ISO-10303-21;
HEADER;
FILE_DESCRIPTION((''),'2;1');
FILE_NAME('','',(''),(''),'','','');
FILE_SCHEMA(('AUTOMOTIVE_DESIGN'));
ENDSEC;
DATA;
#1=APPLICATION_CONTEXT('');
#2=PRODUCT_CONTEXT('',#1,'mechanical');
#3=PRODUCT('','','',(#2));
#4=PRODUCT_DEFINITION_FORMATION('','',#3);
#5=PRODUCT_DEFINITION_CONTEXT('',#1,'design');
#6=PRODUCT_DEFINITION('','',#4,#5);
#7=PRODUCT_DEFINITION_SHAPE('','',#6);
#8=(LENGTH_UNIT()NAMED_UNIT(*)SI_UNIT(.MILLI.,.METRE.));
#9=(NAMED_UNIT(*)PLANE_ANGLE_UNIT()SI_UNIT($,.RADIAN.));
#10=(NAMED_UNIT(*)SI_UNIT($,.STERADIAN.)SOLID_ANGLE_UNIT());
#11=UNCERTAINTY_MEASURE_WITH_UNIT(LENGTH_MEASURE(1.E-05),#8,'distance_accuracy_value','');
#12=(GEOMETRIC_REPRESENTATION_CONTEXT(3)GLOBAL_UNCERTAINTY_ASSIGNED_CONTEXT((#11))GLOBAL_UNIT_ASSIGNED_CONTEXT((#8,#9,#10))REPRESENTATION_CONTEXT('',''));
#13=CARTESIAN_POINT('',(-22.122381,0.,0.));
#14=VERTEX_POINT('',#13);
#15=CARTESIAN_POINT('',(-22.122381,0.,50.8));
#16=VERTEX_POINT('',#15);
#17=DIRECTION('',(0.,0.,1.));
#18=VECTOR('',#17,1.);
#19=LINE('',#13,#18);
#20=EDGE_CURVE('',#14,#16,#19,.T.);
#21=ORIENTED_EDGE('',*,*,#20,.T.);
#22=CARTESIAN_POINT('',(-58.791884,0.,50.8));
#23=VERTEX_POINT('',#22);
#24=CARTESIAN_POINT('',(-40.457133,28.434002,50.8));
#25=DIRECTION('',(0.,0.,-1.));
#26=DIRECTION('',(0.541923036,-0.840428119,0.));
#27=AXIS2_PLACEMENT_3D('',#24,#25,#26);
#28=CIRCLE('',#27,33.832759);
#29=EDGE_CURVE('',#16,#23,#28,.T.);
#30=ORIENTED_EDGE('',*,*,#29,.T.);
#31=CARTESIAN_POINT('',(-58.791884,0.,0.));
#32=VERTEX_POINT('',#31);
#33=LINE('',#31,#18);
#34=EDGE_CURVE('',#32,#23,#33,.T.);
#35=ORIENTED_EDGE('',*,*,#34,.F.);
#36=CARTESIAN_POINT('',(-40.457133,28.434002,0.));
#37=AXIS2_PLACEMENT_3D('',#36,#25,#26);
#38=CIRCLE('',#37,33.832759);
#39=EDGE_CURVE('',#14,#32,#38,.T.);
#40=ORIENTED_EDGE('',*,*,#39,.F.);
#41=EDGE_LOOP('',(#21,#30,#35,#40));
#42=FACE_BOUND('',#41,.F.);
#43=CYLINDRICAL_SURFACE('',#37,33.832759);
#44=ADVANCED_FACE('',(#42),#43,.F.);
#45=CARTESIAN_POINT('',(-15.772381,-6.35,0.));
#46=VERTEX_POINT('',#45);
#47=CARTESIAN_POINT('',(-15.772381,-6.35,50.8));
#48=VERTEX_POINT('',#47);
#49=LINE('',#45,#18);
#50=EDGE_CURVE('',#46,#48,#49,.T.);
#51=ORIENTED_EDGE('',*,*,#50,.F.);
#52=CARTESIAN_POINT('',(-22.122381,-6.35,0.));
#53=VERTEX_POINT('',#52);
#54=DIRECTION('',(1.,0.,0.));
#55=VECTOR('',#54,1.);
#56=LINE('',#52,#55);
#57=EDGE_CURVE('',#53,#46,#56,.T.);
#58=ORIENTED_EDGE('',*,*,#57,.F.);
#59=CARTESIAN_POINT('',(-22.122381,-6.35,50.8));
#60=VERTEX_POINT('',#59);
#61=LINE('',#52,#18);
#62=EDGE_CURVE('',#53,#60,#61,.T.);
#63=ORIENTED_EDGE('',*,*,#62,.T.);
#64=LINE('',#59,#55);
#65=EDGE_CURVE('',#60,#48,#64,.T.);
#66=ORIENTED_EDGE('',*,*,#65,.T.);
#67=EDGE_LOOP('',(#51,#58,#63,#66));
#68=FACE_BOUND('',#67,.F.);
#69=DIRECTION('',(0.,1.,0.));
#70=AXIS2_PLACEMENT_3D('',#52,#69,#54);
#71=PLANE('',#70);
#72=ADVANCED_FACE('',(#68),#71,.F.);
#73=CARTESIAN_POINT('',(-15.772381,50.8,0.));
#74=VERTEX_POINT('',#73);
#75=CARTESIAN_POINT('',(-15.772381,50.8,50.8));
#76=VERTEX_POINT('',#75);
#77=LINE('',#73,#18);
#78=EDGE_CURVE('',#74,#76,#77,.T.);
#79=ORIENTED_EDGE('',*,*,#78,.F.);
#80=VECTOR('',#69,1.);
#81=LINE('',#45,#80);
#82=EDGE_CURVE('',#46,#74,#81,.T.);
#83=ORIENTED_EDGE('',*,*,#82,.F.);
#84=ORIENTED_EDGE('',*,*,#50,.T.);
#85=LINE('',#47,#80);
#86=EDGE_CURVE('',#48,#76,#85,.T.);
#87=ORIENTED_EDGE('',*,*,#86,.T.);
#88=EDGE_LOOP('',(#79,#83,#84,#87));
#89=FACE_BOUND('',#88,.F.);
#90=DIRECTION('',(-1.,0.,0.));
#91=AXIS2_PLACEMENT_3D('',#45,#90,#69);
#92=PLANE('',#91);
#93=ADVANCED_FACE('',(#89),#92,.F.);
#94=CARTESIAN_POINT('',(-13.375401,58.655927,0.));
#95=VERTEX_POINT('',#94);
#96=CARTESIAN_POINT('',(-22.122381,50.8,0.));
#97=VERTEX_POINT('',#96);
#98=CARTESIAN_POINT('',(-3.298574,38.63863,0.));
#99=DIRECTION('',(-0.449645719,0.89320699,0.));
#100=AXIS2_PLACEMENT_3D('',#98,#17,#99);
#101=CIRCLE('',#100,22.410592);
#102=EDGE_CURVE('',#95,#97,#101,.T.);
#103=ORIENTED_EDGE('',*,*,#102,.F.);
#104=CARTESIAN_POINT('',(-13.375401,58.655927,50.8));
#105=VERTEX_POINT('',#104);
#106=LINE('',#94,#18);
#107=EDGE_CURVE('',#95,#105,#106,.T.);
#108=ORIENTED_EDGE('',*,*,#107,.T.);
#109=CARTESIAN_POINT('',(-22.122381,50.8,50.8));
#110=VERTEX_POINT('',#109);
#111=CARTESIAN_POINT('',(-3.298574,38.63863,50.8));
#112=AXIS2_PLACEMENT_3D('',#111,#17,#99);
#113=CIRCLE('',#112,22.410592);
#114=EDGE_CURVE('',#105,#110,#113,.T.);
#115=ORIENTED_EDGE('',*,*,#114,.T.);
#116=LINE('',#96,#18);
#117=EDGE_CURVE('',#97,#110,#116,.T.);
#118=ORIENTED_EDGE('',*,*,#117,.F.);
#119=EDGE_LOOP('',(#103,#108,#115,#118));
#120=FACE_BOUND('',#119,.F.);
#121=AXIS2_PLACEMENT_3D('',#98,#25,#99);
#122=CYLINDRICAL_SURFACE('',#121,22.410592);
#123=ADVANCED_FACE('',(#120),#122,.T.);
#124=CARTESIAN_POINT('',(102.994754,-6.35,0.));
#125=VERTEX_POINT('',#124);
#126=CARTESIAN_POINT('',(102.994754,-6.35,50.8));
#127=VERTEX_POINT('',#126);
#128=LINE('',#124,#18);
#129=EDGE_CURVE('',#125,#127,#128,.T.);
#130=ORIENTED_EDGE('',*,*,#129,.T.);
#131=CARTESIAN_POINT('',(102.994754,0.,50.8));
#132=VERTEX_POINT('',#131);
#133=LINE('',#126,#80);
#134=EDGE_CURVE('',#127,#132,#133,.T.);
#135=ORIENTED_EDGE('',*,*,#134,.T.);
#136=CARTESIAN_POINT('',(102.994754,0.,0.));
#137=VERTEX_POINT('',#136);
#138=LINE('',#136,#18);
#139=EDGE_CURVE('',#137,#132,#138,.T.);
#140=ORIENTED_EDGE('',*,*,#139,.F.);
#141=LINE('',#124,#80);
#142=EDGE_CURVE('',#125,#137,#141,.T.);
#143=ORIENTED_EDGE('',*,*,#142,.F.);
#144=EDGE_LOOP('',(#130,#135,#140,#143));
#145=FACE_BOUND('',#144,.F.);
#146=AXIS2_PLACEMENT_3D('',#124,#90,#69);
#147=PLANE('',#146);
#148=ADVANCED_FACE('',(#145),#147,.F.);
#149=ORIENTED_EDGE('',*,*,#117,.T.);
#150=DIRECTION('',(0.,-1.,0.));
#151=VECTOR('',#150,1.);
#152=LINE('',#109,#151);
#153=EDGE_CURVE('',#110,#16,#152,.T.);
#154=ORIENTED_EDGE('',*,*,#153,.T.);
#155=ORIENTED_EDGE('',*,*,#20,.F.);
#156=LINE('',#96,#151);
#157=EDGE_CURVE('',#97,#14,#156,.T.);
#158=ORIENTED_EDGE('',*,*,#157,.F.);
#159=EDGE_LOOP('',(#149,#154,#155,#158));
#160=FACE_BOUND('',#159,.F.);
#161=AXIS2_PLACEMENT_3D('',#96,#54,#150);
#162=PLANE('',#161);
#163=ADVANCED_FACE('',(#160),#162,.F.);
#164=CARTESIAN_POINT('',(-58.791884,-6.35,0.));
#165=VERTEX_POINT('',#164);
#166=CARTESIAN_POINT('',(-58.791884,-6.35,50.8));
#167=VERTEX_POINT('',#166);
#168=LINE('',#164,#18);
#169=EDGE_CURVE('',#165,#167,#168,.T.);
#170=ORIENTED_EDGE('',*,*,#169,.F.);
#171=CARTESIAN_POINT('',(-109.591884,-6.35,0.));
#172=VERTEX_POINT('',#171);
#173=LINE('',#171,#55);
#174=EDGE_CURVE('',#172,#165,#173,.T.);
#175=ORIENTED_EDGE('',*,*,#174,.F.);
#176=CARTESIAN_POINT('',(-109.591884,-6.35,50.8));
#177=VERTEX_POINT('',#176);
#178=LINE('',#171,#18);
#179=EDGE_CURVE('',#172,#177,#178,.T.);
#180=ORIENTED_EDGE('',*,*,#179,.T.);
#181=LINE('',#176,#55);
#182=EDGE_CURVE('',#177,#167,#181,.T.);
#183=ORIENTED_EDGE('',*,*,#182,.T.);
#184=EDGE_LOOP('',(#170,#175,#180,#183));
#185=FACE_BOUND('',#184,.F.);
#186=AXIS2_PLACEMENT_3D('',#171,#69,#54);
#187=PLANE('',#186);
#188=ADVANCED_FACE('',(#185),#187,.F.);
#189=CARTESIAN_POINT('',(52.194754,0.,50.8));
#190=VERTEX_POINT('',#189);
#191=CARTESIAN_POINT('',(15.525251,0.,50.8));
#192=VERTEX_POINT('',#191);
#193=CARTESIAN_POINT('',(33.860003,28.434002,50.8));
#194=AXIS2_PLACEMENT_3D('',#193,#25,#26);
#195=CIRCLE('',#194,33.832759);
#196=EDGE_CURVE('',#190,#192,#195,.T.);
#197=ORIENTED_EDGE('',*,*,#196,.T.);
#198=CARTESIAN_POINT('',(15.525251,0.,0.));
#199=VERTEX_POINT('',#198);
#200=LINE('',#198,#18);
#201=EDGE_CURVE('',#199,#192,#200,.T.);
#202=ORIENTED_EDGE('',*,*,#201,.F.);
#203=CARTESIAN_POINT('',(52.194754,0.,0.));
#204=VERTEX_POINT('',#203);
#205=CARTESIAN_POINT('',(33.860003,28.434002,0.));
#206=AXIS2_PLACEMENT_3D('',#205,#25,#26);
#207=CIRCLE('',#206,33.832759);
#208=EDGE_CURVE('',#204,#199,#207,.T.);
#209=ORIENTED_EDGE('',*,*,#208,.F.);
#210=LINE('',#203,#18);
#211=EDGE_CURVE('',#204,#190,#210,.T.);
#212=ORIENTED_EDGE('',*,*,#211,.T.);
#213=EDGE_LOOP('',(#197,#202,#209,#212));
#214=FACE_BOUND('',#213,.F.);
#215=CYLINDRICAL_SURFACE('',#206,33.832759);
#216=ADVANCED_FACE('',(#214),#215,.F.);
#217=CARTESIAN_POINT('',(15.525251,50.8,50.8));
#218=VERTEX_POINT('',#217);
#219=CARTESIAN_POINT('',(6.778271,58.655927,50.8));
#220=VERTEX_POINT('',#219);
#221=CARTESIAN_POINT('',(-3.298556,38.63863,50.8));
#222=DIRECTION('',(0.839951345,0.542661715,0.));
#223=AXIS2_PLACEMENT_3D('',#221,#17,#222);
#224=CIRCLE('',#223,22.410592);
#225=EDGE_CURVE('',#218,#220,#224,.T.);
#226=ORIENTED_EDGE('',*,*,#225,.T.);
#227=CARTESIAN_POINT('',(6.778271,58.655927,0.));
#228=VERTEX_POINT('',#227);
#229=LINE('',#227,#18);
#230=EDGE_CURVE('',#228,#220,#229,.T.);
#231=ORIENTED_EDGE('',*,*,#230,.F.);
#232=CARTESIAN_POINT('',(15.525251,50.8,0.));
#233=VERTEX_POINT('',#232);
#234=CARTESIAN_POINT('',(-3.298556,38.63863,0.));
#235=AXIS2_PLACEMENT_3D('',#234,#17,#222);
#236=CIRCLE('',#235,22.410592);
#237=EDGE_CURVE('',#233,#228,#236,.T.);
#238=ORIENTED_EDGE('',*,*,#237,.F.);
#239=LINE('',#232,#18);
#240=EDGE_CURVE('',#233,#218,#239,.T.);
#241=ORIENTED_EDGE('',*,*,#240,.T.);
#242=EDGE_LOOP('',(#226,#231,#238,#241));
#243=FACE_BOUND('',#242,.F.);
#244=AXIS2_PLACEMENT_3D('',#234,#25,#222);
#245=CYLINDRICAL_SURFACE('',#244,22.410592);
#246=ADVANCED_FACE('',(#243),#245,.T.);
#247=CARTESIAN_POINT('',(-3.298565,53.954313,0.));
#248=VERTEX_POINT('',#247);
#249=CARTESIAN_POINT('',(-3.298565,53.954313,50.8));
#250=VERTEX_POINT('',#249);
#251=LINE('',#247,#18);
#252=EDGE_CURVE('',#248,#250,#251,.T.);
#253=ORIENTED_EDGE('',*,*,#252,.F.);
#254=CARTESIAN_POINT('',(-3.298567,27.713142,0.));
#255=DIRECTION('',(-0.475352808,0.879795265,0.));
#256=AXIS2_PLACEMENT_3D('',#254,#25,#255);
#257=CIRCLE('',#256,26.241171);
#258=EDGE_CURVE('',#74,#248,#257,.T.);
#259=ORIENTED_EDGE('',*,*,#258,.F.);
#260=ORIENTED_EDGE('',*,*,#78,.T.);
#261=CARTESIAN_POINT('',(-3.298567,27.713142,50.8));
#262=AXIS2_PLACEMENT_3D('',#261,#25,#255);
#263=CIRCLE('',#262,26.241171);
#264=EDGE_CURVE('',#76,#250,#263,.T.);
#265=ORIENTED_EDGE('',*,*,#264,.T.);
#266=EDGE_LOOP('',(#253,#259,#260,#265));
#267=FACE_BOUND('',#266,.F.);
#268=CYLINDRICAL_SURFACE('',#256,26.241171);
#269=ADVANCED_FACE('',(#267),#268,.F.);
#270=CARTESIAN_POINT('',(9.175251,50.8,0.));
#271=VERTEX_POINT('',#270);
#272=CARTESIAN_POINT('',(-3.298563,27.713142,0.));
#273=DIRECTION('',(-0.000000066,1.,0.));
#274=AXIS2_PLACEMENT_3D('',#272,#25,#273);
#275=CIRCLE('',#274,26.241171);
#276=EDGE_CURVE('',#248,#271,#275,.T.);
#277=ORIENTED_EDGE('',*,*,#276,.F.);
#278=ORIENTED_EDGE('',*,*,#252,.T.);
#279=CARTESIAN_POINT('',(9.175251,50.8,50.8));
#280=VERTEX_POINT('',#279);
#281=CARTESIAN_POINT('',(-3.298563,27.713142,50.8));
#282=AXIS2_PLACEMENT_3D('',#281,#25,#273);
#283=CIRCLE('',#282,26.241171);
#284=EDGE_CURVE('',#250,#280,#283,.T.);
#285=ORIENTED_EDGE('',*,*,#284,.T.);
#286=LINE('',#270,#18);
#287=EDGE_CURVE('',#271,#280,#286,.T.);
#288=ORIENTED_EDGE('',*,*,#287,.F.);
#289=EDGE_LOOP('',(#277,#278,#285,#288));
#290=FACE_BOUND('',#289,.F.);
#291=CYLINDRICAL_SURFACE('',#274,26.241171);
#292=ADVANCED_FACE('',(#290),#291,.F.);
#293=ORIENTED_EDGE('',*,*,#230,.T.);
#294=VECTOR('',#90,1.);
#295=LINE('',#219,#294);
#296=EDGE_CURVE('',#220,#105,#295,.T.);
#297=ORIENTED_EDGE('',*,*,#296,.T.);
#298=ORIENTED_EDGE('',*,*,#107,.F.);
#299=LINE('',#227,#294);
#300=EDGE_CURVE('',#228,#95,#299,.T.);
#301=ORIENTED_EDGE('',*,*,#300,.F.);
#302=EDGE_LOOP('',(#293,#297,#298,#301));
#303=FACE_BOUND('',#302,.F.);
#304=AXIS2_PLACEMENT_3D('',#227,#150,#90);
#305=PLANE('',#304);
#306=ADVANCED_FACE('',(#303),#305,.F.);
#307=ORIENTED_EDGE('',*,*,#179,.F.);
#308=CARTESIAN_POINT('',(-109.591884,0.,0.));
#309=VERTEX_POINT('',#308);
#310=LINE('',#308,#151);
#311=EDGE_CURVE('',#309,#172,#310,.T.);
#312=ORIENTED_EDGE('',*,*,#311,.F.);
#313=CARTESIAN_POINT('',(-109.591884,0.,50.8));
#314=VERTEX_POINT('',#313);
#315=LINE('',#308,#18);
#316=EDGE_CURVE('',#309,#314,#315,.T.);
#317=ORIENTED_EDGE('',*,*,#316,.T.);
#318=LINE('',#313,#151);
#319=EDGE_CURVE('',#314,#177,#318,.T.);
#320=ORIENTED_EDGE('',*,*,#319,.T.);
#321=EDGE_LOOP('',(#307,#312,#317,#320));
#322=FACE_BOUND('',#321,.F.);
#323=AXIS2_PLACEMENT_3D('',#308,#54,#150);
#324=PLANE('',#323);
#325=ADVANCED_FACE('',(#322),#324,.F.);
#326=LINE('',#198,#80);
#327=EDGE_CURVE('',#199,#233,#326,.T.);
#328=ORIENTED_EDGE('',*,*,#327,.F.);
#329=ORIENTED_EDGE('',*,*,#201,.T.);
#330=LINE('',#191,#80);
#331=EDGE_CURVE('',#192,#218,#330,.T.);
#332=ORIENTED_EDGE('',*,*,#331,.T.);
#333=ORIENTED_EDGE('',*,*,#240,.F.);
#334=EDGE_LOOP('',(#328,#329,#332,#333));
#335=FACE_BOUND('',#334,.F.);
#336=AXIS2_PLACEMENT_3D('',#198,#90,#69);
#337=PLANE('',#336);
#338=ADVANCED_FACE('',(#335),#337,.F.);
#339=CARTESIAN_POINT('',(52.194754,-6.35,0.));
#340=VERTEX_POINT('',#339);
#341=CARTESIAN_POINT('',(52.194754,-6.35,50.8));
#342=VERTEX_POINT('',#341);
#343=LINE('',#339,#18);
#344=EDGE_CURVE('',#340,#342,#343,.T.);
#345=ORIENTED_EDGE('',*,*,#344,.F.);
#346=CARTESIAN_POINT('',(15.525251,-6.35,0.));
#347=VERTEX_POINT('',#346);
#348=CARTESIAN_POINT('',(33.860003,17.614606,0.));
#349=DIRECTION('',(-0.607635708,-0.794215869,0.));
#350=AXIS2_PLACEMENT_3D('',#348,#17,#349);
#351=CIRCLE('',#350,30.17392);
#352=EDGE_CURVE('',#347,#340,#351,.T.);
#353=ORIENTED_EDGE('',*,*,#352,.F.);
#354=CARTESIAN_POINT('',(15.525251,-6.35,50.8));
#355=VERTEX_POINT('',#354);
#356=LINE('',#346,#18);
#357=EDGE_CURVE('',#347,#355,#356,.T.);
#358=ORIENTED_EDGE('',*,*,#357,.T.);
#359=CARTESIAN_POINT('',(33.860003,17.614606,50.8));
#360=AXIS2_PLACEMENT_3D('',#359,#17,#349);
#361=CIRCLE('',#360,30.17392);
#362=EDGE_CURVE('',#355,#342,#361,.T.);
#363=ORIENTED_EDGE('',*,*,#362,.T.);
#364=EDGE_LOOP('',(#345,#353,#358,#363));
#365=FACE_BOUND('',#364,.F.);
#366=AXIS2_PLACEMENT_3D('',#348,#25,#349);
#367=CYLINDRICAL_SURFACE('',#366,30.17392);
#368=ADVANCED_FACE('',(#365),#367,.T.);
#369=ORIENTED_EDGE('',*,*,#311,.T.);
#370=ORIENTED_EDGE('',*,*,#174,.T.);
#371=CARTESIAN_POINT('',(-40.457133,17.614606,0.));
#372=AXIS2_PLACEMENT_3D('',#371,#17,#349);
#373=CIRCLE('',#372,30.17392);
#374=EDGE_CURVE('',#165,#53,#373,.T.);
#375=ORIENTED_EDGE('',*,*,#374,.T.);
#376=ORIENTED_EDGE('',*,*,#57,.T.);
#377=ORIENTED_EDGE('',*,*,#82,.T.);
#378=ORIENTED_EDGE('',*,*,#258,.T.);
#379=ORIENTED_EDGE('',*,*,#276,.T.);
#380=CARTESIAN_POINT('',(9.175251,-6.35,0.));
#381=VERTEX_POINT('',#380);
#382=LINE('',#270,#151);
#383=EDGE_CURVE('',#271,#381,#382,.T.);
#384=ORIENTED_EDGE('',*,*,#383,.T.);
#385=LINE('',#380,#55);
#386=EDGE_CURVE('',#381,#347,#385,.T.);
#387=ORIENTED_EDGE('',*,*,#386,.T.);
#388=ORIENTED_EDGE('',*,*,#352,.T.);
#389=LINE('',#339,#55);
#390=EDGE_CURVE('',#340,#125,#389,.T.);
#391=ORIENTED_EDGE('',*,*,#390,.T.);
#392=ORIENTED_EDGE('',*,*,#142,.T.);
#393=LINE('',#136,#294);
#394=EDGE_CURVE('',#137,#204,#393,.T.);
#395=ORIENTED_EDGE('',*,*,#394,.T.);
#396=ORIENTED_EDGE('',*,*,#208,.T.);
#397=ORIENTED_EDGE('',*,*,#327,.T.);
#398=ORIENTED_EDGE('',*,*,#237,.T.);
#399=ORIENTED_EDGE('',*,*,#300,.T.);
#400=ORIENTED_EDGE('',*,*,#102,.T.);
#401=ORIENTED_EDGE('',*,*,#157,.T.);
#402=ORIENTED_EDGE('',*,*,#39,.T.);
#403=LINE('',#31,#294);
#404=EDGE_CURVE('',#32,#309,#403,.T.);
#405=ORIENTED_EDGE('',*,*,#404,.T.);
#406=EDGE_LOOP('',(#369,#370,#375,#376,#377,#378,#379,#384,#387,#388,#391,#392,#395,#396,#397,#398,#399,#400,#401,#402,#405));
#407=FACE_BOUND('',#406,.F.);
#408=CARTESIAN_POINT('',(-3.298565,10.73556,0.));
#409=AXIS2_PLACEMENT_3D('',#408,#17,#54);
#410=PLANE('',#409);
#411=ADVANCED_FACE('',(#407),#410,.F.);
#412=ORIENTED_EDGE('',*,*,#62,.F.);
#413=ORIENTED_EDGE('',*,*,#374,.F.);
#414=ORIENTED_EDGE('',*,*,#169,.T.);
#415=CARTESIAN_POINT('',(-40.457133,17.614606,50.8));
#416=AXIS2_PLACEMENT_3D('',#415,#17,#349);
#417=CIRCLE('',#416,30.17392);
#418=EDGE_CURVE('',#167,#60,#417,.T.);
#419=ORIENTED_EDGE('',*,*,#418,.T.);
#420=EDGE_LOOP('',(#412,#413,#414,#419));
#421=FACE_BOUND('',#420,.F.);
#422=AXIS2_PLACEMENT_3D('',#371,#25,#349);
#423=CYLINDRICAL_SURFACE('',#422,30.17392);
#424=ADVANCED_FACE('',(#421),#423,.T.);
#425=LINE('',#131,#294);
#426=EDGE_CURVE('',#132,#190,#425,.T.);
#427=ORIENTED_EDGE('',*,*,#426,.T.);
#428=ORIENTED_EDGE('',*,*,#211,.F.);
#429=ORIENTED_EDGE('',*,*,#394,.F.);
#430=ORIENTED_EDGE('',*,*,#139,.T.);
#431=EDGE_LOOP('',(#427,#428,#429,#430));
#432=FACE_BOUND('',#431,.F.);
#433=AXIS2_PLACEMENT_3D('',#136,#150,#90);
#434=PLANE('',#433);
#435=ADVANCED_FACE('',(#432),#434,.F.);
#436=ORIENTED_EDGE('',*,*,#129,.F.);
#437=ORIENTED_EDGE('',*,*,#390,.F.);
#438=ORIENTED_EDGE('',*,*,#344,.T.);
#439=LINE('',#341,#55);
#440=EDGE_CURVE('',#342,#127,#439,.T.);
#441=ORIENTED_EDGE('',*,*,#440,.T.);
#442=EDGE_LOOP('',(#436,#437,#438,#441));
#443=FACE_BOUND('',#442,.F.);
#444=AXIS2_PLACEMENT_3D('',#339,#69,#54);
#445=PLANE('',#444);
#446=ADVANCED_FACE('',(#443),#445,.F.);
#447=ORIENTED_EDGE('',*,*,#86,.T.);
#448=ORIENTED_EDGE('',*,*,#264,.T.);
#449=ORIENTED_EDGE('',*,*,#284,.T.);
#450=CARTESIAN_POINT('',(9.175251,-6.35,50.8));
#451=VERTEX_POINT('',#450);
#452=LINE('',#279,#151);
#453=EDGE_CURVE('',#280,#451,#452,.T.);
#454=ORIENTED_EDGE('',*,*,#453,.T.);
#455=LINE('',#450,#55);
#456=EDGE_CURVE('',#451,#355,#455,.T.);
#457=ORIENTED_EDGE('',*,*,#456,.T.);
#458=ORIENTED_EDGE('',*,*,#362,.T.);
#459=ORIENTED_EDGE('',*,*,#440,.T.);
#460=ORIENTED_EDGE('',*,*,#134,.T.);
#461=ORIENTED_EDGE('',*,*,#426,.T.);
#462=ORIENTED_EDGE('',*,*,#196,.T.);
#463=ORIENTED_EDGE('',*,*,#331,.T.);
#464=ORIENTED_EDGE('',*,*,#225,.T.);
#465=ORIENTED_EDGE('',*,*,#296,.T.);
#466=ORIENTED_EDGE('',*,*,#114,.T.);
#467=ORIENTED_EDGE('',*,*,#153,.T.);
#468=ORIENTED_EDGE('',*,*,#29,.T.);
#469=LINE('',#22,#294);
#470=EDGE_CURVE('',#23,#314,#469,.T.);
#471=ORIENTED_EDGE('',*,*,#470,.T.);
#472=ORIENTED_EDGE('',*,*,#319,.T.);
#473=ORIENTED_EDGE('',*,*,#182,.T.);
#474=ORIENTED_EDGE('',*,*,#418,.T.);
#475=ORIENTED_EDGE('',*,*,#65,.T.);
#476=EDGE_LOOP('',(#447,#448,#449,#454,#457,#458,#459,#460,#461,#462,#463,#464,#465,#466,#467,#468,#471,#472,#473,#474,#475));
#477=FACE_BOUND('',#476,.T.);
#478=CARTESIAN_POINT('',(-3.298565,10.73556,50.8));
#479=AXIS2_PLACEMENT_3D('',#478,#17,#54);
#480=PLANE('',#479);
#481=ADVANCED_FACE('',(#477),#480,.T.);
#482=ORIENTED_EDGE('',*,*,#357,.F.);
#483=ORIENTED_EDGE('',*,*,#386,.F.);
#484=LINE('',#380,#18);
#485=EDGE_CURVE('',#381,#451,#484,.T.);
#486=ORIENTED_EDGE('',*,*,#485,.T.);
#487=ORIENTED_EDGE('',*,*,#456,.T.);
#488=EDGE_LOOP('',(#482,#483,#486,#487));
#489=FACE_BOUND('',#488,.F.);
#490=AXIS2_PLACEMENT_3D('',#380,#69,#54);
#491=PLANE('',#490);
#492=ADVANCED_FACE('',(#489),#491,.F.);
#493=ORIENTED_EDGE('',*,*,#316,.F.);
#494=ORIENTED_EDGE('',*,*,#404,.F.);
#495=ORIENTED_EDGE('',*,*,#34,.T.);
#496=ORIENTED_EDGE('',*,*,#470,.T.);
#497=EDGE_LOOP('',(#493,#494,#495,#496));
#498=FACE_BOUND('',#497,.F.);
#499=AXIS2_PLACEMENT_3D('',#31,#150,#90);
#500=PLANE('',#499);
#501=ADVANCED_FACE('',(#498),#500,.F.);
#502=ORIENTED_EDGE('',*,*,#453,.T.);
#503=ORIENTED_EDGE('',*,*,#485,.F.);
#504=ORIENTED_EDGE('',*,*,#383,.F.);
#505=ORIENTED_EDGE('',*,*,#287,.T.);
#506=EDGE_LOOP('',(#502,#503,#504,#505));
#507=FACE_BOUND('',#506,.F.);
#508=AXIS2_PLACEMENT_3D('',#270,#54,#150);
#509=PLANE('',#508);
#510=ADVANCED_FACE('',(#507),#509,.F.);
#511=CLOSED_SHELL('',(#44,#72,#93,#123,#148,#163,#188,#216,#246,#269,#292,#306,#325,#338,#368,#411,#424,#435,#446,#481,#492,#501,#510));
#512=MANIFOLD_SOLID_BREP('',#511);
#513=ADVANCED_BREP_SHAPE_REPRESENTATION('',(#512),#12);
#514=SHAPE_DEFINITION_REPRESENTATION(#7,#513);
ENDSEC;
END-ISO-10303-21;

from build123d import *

# Parameters (mm, degrees)
F1_DEPTH = 50.8


with BuildPart() as f1:
    # F0 (on Top) → F1 (new body)
    with BuildSketch(Plane.XY):
        with BuildLine():
            Line((-58.791884, 0), (-109.591884, 0))
            Line((-109.591884, 0), (-109.591884, -6.35))
            Line((-109.591884, -6.35), (-58.791884, -6.35))
            ThreePointArc((-58.791884, -6.35), (-40.457133, -12.559314), (-22.122381, -6.35))
            Line((-22.122381, -6.35), (-15.772381, -6.35))
            Line((-15.772381, -6.35), (-15.772381, 50.8))
            ThreePointArc((-15.772381, 50.8), (-9.731795, 53.153516), (-3.298565, 53.954313))
            ThreePointArc((-3.298565, 53.954313), (3.134665, 53.153516), (9.175251, 50.8))
            Line((9.175251, 50.8), (9.175251, -6.35))
            Line((9.175251, -6.35), (15.525251, -6.35))
            ThreePointArc((15.525251, -6.35), (33.860003, -12.559314), (52.194754, -6.35))
            Line((52.194754, -6.35), (102.994754, -6.35))
            Line((102.994754, -6.35), (102.994754, 0))
            Line((102.994754, 0), (52.194754, 0))
            ThreePointArc((52.194754, 0), (33.860003, -5.398757), (15.525251, 0))
            Line((15.525251, 0), (15.525251, 50.8))
            ThreePointArc((15.525251, 50.8), (11.676108, 55.311784), (6.778271, 58.655927))
            Line((6.778271, 58.655927), (-3.298565, 58.655927))
            Line((-3.298565, 58.655927), (-13.375401, 58.655927))
            ThreePointArc((-13.375401, 58.655927), (-18.273238, 55.311784), (-22.122381, 50.8))
            Line((-22.122381, 50.8), (-22.122381, 0))
            ThreePointArc((-22.122381, 0), (-40.457133, -5.398757), (-58.791884, 0))
        make_face()
    extrude(amount=F1_DEPTH)


solid = f1.part
